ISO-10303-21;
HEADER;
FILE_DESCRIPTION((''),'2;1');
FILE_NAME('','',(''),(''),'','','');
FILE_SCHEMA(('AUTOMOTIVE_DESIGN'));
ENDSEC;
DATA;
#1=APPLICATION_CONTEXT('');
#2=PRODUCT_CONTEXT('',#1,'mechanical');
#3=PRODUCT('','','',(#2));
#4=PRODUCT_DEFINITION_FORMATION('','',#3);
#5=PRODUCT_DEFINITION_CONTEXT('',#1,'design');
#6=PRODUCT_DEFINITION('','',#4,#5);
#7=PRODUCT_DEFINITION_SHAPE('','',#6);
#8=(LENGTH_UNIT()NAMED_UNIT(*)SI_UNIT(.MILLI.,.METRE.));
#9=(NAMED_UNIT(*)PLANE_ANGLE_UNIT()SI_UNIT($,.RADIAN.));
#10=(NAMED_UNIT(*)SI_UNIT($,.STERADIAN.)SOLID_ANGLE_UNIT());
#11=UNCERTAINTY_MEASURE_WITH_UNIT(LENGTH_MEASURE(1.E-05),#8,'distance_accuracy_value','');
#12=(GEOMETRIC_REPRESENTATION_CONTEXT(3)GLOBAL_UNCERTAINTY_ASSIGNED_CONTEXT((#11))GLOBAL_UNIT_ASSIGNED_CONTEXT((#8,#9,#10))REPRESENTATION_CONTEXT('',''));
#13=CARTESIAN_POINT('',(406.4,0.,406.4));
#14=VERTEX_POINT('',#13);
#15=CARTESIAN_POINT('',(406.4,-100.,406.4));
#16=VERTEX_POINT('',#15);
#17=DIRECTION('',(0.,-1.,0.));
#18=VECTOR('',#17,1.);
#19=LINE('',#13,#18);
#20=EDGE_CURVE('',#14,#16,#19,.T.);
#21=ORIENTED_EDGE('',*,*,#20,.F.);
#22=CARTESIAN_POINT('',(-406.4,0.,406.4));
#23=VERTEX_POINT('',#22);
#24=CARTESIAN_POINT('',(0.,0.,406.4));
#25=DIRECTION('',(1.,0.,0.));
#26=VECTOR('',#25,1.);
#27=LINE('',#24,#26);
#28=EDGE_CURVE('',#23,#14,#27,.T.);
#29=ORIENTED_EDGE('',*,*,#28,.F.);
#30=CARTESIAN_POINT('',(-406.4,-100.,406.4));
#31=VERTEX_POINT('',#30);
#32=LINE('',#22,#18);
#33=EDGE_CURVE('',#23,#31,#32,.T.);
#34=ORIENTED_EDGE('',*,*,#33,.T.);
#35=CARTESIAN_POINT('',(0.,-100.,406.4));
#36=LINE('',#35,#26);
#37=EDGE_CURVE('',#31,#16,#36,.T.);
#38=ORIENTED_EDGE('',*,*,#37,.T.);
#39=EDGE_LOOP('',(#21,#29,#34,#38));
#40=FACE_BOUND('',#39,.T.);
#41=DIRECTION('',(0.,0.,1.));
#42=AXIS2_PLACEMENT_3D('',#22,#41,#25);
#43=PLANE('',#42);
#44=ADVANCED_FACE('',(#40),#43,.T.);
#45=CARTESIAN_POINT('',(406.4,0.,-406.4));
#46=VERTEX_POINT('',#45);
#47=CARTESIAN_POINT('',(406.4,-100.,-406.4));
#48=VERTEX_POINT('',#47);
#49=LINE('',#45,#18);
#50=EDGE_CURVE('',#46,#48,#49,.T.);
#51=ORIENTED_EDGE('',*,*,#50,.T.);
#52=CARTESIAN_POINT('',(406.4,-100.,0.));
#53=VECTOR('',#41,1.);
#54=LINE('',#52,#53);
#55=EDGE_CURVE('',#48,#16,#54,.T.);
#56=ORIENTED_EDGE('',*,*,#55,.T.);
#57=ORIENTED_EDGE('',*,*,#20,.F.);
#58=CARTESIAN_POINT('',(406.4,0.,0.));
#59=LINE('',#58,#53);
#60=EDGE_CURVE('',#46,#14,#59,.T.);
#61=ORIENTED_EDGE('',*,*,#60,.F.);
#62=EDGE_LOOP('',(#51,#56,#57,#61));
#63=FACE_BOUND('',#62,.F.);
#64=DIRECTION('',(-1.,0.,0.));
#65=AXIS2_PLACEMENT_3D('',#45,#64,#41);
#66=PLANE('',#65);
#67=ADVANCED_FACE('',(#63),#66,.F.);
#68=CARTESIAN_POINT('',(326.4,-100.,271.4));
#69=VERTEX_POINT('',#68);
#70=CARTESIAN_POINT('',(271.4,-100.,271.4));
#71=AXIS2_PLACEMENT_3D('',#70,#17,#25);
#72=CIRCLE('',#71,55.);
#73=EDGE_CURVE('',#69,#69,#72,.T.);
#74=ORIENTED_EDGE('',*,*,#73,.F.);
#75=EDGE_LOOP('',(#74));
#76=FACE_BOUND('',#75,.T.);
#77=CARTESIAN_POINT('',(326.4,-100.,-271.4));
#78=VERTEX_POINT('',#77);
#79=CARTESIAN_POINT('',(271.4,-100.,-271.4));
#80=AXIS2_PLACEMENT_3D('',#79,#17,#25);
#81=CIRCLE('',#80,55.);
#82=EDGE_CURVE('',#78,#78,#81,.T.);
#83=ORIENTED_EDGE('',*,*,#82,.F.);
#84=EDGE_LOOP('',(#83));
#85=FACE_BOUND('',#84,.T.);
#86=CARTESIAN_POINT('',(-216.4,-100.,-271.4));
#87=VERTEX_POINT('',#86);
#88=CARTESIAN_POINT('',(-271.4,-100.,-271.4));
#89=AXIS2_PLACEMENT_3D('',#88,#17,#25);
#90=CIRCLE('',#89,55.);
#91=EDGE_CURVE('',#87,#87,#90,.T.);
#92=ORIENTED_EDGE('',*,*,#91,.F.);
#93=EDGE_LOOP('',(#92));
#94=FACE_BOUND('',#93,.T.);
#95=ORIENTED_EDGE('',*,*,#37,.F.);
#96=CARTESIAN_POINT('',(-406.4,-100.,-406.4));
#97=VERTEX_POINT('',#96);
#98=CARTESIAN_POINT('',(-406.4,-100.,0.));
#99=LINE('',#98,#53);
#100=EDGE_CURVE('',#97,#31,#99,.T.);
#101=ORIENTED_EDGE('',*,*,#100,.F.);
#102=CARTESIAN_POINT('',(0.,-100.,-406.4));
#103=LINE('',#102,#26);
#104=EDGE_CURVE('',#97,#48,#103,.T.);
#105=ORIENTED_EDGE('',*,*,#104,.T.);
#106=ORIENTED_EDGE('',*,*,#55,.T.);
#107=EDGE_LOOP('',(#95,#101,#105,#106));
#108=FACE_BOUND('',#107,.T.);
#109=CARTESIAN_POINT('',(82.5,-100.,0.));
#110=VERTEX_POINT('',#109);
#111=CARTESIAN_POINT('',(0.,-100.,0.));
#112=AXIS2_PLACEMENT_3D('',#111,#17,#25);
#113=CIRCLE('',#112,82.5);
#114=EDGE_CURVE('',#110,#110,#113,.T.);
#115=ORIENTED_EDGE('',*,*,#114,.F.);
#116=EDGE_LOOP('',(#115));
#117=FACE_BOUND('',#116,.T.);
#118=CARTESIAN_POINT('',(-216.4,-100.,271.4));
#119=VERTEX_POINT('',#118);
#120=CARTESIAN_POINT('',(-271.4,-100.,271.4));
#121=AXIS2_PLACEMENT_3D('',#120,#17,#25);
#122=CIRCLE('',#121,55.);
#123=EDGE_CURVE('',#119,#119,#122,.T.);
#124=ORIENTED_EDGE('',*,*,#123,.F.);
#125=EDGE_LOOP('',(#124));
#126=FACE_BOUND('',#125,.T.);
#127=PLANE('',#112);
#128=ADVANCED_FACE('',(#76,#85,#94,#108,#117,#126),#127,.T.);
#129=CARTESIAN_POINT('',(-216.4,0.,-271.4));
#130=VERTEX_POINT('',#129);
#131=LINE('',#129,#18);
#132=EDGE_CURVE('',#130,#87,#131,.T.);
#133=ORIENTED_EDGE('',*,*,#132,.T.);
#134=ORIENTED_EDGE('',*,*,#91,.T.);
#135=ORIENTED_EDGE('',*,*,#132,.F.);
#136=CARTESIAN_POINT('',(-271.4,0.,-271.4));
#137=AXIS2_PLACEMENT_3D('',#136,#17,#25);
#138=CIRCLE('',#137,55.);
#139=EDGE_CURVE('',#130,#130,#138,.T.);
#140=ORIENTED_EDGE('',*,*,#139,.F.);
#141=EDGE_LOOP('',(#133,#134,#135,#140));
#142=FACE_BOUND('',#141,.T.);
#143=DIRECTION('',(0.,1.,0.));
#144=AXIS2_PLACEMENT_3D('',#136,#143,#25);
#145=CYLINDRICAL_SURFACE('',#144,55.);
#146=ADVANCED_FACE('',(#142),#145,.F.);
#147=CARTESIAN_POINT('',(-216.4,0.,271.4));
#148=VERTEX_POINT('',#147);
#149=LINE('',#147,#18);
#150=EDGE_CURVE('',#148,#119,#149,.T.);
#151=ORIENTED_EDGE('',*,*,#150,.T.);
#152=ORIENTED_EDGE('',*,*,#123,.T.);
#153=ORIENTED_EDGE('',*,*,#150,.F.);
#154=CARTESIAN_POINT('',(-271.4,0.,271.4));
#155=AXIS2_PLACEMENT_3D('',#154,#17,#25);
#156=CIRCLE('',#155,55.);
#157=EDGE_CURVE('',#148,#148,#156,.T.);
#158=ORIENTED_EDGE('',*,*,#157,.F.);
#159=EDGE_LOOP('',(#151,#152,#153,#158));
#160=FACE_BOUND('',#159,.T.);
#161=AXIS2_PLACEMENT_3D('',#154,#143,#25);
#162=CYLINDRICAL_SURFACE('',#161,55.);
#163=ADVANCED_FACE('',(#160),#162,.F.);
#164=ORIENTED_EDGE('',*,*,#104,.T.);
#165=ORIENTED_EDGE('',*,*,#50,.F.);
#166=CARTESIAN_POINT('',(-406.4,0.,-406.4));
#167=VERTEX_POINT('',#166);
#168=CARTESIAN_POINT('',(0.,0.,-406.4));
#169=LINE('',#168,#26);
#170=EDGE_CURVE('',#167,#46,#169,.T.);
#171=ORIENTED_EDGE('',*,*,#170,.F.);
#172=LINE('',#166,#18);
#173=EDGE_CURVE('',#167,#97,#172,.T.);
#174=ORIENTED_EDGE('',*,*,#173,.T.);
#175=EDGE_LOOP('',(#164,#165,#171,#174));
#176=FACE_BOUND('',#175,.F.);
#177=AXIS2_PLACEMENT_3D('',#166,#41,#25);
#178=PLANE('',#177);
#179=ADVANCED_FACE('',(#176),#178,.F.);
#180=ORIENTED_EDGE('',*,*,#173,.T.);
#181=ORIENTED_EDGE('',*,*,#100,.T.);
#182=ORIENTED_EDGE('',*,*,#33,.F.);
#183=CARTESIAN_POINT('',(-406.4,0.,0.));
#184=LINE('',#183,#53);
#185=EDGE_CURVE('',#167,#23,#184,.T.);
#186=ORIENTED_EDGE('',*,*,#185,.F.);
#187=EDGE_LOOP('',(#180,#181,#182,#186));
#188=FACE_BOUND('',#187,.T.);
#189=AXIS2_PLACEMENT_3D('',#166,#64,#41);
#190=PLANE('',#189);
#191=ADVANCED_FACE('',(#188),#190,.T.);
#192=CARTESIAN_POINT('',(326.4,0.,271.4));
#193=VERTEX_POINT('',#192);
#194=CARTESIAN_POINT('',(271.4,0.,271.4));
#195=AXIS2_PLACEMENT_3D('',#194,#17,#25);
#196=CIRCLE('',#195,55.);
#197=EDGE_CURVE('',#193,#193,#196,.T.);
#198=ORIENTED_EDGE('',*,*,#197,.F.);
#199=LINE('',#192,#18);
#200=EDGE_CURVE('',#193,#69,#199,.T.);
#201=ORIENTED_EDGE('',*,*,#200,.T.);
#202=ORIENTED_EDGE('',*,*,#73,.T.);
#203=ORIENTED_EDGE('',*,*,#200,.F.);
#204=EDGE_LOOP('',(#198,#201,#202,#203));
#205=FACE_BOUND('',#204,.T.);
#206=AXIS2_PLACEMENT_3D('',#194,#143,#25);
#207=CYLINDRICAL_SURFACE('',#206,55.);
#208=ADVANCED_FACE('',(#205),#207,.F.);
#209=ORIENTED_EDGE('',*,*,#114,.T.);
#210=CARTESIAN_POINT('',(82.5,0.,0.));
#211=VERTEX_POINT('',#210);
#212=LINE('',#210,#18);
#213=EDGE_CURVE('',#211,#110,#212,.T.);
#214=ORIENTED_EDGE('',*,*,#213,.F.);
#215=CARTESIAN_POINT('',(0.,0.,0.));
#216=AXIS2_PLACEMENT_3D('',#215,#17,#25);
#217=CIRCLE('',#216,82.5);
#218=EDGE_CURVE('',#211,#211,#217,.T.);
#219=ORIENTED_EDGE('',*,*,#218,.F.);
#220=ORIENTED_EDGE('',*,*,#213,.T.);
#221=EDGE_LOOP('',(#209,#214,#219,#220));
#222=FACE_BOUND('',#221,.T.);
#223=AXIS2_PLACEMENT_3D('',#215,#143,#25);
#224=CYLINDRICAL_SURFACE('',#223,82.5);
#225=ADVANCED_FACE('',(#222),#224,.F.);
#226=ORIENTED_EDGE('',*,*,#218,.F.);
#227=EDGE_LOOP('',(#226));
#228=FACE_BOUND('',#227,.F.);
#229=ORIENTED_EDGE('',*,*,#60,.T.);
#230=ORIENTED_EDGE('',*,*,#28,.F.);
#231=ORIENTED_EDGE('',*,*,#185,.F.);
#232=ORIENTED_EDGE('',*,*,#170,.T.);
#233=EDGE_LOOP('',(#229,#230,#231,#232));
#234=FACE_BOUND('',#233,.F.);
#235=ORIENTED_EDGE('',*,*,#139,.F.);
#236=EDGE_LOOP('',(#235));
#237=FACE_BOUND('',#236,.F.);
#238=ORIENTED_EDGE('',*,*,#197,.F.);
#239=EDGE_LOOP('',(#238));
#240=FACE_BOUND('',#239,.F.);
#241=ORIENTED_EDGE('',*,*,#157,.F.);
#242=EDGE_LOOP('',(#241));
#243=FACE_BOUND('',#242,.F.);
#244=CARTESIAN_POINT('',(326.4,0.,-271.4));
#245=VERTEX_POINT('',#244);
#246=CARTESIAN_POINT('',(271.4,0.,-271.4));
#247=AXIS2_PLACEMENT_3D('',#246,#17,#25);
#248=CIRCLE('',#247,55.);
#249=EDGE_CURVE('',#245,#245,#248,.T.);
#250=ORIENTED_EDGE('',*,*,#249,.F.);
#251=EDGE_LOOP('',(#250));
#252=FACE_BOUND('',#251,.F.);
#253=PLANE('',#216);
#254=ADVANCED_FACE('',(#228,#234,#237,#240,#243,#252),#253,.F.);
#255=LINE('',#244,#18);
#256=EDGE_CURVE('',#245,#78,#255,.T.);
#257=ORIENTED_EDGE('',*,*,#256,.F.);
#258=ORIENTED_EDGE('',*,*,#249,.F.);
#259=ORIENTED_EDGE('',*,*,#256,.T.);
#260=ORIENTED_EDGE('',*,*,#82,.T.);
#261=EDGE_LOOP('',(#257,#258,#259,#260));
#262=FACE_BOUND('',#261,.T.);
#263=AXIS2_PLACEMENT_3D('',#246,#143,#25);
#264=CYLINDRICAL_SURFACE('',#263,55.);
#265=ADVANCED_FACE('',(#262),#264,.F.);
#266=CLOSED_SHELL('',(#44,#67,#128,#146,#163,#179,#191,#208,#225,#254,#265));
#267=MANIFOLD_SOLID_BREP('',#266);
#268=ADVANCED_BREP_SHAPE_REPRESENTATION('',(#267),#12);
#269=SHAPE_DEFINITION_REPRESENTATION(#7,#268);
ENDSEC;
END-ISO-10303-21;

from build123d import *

# Parameters (mm, degrees)
F0_W     = 812.8
F0_H     = 812.8
F0_R     = 55
F0_R_2   = 82.5
F1_DEPTH = 100


with BuildPart() as f1:
    # F0 (on Front) → F1 (new body)
    with BuildSketch(Plane.XZ):
        Rectangle(F0_W, F0_H)
        with Locations((-271.4, -271.4)):
            Circle(F0_R, mode=Mode.SUBTRACT)
        Circle(F0_R_2, mode=Mode.SUBTRACT)
        with Locations((271.4, -271.4)):
            Circle(F0_R, mode=Mode.SUBTRACT)
        with Locations((-271.4, 271.4)):
            Circle(F0_R, mode=Mode.SUBTRACT)
        with Locations((271.4, 271.4)):
            Circle(F0_R, mode=Mode.SUBTRACT)
    extrude(amount=F1_DEPTH)


solid = f1.part
